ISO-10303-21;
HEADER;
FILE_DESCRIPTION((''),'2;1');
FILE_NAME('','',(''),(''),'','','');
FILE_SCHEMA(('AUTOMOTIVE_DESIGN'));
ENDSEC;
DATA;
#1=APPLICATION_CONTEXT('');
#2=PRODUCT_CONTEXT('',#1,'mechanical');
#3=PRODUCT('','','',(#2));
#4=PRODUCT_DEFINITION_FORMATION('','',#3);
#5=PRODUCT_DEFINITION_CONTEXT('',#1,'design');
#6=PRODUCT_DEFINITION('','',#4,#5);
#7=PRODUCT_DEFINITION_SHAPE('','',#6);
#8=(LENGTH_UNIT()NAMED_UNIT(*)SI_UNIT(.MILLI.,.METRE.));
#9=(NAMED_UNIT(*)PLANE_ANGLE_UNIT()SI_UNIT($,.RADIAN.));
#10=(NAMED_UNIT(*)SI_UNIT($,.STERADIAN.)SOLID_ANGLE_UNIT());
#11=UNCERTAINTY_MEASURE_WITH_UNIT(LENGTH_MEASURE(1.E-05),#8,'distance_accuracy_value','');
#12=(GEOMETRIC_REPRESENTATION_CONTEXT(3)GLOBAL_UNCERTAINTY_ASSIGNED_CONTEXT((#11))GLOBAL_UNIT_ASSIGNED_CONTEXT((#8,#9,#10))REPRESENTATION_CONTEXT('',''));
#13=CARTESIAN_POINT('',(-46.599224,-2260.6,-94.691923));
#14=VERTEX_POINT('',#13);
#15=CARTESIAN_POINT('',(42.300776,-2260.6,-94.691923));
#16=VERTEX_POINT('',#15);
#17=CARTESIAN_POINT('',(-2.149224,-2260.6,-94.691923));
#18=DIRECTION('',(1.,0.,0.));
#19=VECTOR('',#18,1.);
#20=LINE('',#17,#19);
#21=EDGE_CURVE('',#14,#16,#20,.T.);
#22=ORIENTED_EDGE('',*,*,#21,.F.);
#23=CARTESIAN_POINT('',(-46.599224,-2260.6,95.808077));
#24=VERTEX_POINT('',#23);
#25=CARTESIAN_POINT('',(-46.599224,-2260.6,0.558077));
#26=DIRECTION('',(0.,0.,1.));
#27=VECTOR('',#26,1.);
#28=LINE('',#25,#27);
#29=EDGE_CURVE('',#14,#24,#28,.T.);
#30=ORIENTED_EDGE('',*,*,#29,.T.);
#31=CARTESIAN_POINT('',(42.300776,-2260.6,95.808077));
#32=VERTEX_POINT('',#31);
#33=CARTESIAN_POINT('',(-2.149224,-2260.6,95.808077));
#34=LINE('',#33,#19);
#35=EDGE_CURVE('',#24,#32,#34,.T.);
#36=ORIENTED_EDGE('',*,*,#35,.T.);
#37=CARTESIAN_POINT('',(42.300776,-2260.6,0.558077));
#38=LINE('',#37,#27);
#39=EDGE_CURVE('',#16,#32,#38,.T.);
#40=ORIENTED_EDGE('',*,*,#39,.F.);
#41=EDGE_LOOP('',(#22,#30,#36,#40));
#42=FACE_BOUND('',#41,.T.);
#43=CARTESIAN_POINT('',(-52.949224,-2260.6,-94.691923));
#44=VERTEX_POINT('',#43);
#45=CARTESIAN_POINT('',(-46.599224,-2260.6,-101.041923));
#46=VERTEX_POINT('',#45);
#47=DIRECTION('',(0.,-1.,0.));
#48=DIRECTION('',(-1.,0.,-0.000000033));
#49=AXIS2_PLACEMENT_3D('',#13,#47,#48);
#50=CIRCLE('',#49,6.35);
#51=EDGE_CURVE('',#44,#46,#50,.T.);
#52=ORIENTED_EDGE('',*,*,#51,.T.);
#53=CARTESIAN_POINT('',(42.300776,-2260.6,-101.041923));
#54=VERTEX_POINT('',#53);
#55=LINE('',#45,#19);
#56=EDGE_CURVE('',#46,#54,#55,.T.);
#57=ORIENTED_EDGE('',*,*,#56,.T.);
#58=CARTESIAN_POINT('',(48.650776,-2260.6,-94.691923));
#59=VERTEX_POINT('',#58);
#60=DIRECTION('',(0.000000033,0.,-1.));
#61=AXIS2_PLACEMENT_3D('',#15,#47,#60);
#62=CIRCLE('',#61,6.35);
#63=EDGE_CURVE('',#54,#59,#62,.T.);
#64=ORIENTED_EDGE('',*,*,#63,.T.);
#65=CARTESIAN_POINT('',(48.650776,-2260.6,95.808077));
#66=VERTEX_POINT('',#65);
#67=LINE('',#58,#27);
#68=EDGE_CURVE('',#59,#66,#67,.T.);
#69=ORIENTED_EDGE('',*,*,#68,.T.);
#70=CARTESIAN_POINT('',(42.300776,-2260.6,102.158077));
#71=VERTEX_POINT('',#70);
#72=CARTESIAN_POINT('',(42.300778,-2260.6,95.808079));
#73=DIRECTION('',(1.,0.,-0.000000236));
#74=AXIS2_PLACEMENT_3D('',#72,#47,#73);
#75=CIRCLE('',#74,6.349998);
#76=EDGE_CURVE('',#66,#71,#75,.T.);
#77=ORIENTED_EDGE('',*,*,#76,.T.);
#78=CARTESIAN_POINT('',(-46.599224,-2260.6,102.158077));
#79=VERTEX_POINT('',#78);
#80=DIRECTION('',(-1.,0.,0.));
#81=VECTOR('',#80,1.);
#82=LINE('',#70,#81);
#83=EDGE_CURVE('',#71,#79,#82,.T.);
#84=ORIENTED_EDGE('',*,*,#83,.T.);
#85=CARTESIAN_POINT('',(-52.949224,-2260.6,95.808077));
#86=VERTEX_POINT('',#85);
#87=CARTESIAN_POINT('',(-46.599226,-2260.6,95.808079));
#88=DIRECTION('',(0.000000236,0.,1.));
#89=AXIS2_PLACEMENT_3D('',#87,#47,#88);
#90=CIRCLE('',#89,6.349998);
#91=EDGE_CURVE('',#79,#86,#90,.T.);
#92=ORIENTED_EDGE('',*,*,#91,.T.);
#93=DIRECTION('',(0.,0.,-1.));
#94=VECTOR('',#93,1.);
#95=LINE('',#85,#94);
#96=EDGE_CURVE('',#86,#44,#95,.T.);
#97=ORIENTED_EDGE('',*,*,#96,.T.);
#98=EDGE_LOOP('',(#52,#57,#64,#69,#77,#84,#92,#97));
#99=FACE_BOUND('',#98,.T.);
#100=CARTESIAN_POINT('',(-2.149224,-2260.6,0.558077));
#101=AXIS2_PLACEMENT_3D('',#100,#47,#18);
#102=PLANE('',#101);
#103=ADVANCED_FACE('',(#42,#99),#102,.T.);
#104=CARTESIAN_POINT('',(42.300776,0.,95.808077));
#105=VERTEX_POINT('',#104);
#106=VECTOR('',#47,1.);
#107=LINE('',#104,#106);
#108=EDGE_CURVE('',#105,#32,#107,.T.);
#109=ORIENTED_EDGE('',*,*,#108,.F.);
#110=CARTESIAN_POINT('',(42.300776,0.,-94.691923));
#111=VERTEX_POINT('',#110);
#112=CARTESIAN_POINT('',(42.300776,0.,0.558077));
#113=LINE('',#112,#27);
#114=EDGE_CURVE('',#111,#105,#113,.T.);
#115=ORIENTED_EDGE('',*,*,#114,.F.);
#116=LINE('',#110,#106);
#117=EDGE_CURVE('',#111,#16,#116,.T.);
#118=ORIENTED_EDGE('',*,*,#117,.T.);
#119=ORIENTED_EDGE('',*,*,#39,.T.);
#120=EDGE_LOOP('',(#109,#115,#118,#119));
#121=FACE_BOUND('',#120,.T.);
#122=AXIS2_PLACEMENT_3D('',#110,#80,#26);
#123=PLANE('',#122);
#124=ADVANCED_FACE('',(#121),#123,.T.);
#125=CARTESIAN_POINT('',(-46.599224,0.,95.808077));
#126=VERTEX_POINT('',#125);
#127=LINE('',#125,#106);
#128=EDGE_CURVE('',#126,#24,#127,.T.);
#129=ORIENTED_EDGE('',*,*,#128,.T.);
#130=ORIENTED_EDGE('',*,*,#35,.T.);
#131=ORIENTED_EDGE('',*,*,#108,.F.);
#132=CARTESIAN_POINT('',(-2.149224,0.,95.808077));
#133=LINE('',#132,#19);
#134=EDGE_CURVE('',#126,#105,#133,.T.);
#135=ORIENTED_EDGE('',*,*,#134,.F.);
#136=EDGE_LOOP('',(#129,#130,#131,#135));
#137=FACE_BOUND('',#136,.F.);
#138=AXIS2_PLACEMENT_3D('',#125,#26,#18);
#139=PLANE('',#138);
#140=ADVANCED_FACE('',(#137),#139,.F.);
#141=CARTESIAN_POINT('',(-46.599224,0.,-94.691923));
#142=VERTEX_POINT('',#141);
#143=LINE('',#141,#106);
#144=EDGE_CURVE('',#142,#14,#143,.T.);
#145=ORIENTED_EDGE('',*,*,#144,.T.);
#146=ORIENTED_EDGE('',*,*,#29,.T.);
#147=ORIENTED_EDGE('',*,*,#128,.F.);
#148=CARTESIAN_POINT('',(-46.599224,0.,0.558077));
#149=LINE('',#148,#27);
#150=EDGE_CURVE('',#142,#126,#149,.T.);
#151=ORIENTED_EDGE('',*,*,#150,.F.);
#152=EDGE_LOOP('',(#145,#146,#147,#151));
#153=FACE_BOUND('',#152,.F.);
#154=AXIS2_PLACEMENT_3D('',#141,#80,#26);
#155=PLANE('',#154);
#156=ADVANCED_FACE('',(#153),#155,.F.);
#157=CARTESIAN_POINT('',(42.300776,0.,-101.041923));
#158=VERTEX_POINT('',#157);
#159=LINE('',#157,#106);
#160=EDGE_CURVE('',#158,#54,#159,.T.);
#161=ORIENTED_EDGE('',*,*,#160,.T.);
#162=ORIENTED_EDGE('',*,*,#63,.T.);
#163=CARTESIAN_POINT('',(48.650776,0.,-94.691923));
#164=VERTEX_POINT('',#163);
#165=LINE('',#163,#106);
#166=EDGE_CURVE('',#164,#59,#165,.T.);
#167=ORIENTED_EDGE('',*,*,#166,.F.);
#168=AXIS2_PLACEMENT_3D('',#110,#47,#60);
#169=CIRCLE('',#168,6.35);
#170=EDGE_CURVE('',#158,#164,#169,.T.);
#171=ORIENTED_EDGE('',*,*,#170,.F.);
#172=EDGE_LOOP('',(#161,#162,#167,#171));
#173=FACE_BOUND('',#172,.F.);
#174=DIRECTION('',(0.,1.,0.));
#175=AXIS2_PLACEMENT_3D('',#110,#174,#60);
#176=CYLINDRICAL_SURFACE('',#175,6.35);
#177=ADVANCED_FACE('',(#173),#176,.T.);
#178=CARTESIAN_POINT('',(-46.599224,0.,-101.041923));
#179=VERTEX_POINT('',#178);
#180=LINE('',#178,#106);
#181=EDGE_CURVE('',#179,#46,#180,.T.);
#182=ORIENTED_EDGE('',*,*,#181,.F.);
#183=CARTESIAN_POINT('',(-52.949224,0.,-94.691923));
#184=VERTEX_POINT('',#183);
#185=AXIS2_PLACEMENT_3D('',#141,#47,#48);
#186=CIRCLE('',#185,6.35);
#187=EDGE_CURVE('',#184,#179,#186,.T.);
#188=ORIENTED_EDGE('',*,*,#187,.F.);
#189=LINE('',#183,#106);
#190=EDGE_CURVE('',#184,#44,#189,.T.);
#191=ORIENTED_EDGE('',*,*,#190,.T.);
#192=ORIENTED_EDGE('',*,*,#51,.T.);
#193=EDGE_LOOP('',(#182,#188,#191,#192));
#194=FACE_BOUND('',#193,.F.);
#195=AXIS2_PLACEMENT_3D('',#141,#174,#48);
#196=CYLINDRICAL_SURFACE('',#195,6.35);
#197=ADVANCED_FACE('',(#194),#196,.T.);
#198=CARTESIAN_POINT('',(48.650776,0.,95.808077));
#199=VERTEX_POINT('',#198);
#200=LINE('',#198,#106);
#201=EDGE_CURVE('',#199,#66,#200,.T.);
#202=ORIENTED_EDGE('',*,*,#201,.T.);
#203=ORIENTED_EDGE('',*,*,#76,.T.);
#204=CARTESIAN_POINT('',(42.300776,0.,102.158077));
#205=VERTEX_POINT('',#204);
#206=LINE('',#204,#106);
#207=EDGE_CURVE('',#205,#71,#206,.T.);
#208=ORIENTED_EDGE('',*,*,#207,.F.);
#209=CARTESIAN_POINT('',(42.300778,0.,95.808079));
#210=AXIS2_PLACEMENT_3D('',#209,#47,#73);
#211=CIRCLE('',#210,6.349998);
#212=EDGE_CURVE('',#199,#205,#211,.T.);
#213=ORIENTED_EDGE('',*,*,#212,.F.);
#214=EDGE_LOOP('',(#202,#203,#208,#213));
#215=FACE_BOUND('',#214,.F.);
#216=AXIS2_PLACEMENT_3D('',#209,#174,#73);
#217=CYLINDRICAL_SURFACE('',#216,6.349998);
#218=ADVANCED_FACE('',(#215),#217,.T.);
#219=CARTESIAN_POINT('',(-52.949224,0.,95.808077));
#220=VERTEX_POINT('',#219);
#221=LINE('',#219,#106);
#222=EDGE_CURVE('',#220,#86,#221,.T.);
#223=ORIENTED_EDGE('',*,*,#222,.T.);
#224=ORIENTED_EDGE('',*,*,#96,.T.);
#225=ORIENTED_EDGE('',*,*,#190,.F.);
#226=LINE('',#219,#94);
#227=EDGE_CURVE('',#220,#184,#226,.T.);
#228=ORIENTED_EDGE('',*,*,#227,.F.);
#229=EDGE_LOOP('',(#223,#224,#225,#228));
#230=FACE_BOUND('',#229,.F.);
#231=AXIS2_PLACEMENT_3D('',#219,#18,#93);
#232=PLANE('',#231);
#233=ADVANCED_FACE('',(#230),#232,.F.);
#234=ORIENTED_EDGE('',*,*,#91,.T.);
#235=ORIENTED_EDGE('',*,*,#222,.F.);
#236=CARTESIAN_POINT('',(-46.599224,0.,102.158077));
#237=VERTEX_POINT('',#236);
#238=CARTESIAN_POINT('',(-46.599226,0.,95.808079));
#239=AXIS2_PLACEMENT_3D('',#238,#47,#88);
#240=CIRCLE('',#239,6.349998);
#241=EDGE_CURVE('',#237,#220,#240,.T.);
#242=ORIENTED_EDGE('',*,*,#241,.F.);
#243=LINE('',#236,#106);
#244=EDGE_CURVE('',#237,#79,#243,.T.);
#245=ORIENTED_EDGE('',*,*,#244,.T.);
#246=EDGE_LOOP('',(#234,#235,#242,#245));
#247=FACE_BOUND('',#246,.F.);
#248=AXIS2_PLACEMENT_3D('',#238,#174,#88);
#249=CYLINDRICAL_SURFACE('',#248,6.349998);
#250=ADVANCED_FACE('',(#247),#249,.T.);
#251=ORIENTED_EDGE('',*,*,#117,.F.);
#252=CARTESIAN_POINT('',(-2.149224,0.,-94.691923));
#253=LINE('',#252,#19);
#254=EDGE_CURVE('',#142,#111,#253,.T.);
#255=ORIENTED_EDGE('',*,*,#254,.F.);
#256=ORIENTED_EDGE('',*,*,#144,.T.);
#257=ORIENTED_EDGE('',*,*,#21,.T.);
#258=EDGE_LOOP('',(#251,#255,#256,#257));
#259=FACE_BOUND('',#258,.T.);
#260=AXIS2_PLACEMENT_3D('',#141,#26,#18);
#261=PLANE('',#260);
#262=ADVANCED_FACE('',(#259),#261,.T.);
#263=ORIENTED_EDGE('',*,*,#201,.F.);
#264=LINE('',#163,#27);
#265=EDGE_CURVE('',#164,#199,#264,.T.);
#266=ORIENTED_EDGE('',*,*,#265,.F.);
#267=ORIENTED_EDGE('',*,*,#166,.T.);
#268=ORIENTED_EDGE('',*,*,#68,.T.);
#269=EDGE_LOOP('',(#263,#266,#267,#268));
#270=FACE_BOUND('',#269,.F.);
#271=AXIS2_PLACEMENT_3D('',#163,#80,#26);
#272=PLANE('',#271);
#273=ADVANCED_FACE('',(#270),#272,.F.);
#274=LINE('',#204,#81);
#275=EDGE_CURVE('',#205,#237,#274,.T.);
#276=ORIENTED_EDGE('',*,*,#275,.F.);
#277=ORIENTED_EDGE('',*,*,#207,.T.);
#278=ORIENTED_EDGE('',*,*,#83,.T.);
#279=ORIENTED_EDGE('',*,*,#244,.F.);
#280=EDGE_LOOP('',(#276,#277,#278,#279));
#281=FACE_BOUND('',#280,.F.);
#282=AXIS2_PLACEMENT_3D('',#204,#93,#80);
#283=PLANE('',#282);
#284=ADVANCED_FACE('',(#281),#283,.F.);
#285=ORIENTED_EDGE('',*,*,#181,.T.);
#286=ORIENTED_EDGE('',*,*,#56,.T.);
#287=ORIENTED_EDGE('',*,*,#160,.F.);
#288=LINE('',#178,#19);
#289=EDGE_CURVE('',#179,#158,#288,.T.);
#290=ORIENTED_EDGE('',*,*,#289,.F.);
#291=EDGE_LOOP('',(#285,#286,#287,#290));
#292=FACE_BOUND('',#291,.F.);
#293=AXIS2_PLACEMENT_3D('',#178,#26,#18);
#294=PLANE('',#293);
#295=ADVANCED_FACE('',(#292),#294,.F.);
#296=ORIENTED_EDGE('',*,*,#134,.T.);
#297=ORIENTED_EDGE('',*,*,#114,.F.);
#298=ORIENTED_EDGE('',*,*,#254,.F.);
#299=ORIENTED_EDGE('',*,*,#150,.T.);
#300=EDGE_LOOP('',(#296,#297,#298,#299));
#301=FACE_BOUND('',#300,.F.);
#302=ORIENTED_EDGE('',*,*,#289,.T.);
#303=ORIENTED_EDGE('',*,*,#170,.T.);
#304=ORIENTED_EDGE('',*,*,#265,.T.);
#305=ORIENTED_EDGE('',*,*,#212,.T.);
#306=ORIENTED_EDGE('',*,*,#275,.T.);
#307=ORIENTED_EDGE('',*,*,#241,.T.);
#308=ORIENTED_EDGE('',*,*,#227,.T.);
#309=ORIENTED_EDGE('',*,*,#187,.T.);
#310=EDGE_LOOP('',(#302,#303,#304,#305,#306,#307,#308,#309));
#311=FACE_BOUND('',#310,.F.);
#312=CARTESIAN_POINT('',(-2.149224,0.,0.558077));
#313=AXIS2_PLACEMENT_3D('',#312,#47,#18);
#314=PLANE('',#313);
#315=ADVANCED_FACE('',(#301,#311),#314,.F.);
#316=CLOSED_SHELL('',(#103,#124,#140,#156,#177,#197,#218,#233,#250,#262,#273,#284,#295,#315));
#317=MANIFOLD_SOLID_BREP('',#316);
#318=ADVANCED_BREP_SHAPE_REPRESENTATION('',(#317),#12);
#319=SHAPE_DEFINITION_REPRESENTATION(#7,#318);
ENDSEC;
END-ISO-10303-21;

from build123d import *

# Parameters (mm, degrees)
F0_W     = 88.9
F0_H     = 190.5
F1_DEPTH = 2260.6


with BuildPart() as f1:
    # F0 (on Front) → F1 (new body)
    with BuildSketch(Plane.XZ):
        with BuildLine():
            Line((42.300776, 102.158077), (-46.599224, 102.158077))
            ThreePointArc((-46.599224, 102.158077), (-51.089352, 100.298206), (-52.949224, 95.808077))
            Line((-52.949224, 95.808077), (-52.949224, -94.691923))
            ThreePointArc((-52.949224, -94.691923), (-51.089352, -99.182051), (-46.599224, -101.041923))
            Line((-46.599224, -101.041923), (42.300776, -101.041923))
            ThreePointArc((42.300776, -101.041923), (46.790904, -99.182051), (48.650776, -94.691923))
            Line((48.650776, -94.691923), (48.650776, 95.808077))
            ThreePointArc((48.650776, 95.808077), (46.790904, 100.298206), (42.300776, 102.158077))
        make_face()
        with Locations((-2.149224, 0.558077)):
            Rectangle(F0_W, F0_H, mode=Mode.SUBTRACT)
    extrude(amount=F1_DEPTH)


solid = f1.part
